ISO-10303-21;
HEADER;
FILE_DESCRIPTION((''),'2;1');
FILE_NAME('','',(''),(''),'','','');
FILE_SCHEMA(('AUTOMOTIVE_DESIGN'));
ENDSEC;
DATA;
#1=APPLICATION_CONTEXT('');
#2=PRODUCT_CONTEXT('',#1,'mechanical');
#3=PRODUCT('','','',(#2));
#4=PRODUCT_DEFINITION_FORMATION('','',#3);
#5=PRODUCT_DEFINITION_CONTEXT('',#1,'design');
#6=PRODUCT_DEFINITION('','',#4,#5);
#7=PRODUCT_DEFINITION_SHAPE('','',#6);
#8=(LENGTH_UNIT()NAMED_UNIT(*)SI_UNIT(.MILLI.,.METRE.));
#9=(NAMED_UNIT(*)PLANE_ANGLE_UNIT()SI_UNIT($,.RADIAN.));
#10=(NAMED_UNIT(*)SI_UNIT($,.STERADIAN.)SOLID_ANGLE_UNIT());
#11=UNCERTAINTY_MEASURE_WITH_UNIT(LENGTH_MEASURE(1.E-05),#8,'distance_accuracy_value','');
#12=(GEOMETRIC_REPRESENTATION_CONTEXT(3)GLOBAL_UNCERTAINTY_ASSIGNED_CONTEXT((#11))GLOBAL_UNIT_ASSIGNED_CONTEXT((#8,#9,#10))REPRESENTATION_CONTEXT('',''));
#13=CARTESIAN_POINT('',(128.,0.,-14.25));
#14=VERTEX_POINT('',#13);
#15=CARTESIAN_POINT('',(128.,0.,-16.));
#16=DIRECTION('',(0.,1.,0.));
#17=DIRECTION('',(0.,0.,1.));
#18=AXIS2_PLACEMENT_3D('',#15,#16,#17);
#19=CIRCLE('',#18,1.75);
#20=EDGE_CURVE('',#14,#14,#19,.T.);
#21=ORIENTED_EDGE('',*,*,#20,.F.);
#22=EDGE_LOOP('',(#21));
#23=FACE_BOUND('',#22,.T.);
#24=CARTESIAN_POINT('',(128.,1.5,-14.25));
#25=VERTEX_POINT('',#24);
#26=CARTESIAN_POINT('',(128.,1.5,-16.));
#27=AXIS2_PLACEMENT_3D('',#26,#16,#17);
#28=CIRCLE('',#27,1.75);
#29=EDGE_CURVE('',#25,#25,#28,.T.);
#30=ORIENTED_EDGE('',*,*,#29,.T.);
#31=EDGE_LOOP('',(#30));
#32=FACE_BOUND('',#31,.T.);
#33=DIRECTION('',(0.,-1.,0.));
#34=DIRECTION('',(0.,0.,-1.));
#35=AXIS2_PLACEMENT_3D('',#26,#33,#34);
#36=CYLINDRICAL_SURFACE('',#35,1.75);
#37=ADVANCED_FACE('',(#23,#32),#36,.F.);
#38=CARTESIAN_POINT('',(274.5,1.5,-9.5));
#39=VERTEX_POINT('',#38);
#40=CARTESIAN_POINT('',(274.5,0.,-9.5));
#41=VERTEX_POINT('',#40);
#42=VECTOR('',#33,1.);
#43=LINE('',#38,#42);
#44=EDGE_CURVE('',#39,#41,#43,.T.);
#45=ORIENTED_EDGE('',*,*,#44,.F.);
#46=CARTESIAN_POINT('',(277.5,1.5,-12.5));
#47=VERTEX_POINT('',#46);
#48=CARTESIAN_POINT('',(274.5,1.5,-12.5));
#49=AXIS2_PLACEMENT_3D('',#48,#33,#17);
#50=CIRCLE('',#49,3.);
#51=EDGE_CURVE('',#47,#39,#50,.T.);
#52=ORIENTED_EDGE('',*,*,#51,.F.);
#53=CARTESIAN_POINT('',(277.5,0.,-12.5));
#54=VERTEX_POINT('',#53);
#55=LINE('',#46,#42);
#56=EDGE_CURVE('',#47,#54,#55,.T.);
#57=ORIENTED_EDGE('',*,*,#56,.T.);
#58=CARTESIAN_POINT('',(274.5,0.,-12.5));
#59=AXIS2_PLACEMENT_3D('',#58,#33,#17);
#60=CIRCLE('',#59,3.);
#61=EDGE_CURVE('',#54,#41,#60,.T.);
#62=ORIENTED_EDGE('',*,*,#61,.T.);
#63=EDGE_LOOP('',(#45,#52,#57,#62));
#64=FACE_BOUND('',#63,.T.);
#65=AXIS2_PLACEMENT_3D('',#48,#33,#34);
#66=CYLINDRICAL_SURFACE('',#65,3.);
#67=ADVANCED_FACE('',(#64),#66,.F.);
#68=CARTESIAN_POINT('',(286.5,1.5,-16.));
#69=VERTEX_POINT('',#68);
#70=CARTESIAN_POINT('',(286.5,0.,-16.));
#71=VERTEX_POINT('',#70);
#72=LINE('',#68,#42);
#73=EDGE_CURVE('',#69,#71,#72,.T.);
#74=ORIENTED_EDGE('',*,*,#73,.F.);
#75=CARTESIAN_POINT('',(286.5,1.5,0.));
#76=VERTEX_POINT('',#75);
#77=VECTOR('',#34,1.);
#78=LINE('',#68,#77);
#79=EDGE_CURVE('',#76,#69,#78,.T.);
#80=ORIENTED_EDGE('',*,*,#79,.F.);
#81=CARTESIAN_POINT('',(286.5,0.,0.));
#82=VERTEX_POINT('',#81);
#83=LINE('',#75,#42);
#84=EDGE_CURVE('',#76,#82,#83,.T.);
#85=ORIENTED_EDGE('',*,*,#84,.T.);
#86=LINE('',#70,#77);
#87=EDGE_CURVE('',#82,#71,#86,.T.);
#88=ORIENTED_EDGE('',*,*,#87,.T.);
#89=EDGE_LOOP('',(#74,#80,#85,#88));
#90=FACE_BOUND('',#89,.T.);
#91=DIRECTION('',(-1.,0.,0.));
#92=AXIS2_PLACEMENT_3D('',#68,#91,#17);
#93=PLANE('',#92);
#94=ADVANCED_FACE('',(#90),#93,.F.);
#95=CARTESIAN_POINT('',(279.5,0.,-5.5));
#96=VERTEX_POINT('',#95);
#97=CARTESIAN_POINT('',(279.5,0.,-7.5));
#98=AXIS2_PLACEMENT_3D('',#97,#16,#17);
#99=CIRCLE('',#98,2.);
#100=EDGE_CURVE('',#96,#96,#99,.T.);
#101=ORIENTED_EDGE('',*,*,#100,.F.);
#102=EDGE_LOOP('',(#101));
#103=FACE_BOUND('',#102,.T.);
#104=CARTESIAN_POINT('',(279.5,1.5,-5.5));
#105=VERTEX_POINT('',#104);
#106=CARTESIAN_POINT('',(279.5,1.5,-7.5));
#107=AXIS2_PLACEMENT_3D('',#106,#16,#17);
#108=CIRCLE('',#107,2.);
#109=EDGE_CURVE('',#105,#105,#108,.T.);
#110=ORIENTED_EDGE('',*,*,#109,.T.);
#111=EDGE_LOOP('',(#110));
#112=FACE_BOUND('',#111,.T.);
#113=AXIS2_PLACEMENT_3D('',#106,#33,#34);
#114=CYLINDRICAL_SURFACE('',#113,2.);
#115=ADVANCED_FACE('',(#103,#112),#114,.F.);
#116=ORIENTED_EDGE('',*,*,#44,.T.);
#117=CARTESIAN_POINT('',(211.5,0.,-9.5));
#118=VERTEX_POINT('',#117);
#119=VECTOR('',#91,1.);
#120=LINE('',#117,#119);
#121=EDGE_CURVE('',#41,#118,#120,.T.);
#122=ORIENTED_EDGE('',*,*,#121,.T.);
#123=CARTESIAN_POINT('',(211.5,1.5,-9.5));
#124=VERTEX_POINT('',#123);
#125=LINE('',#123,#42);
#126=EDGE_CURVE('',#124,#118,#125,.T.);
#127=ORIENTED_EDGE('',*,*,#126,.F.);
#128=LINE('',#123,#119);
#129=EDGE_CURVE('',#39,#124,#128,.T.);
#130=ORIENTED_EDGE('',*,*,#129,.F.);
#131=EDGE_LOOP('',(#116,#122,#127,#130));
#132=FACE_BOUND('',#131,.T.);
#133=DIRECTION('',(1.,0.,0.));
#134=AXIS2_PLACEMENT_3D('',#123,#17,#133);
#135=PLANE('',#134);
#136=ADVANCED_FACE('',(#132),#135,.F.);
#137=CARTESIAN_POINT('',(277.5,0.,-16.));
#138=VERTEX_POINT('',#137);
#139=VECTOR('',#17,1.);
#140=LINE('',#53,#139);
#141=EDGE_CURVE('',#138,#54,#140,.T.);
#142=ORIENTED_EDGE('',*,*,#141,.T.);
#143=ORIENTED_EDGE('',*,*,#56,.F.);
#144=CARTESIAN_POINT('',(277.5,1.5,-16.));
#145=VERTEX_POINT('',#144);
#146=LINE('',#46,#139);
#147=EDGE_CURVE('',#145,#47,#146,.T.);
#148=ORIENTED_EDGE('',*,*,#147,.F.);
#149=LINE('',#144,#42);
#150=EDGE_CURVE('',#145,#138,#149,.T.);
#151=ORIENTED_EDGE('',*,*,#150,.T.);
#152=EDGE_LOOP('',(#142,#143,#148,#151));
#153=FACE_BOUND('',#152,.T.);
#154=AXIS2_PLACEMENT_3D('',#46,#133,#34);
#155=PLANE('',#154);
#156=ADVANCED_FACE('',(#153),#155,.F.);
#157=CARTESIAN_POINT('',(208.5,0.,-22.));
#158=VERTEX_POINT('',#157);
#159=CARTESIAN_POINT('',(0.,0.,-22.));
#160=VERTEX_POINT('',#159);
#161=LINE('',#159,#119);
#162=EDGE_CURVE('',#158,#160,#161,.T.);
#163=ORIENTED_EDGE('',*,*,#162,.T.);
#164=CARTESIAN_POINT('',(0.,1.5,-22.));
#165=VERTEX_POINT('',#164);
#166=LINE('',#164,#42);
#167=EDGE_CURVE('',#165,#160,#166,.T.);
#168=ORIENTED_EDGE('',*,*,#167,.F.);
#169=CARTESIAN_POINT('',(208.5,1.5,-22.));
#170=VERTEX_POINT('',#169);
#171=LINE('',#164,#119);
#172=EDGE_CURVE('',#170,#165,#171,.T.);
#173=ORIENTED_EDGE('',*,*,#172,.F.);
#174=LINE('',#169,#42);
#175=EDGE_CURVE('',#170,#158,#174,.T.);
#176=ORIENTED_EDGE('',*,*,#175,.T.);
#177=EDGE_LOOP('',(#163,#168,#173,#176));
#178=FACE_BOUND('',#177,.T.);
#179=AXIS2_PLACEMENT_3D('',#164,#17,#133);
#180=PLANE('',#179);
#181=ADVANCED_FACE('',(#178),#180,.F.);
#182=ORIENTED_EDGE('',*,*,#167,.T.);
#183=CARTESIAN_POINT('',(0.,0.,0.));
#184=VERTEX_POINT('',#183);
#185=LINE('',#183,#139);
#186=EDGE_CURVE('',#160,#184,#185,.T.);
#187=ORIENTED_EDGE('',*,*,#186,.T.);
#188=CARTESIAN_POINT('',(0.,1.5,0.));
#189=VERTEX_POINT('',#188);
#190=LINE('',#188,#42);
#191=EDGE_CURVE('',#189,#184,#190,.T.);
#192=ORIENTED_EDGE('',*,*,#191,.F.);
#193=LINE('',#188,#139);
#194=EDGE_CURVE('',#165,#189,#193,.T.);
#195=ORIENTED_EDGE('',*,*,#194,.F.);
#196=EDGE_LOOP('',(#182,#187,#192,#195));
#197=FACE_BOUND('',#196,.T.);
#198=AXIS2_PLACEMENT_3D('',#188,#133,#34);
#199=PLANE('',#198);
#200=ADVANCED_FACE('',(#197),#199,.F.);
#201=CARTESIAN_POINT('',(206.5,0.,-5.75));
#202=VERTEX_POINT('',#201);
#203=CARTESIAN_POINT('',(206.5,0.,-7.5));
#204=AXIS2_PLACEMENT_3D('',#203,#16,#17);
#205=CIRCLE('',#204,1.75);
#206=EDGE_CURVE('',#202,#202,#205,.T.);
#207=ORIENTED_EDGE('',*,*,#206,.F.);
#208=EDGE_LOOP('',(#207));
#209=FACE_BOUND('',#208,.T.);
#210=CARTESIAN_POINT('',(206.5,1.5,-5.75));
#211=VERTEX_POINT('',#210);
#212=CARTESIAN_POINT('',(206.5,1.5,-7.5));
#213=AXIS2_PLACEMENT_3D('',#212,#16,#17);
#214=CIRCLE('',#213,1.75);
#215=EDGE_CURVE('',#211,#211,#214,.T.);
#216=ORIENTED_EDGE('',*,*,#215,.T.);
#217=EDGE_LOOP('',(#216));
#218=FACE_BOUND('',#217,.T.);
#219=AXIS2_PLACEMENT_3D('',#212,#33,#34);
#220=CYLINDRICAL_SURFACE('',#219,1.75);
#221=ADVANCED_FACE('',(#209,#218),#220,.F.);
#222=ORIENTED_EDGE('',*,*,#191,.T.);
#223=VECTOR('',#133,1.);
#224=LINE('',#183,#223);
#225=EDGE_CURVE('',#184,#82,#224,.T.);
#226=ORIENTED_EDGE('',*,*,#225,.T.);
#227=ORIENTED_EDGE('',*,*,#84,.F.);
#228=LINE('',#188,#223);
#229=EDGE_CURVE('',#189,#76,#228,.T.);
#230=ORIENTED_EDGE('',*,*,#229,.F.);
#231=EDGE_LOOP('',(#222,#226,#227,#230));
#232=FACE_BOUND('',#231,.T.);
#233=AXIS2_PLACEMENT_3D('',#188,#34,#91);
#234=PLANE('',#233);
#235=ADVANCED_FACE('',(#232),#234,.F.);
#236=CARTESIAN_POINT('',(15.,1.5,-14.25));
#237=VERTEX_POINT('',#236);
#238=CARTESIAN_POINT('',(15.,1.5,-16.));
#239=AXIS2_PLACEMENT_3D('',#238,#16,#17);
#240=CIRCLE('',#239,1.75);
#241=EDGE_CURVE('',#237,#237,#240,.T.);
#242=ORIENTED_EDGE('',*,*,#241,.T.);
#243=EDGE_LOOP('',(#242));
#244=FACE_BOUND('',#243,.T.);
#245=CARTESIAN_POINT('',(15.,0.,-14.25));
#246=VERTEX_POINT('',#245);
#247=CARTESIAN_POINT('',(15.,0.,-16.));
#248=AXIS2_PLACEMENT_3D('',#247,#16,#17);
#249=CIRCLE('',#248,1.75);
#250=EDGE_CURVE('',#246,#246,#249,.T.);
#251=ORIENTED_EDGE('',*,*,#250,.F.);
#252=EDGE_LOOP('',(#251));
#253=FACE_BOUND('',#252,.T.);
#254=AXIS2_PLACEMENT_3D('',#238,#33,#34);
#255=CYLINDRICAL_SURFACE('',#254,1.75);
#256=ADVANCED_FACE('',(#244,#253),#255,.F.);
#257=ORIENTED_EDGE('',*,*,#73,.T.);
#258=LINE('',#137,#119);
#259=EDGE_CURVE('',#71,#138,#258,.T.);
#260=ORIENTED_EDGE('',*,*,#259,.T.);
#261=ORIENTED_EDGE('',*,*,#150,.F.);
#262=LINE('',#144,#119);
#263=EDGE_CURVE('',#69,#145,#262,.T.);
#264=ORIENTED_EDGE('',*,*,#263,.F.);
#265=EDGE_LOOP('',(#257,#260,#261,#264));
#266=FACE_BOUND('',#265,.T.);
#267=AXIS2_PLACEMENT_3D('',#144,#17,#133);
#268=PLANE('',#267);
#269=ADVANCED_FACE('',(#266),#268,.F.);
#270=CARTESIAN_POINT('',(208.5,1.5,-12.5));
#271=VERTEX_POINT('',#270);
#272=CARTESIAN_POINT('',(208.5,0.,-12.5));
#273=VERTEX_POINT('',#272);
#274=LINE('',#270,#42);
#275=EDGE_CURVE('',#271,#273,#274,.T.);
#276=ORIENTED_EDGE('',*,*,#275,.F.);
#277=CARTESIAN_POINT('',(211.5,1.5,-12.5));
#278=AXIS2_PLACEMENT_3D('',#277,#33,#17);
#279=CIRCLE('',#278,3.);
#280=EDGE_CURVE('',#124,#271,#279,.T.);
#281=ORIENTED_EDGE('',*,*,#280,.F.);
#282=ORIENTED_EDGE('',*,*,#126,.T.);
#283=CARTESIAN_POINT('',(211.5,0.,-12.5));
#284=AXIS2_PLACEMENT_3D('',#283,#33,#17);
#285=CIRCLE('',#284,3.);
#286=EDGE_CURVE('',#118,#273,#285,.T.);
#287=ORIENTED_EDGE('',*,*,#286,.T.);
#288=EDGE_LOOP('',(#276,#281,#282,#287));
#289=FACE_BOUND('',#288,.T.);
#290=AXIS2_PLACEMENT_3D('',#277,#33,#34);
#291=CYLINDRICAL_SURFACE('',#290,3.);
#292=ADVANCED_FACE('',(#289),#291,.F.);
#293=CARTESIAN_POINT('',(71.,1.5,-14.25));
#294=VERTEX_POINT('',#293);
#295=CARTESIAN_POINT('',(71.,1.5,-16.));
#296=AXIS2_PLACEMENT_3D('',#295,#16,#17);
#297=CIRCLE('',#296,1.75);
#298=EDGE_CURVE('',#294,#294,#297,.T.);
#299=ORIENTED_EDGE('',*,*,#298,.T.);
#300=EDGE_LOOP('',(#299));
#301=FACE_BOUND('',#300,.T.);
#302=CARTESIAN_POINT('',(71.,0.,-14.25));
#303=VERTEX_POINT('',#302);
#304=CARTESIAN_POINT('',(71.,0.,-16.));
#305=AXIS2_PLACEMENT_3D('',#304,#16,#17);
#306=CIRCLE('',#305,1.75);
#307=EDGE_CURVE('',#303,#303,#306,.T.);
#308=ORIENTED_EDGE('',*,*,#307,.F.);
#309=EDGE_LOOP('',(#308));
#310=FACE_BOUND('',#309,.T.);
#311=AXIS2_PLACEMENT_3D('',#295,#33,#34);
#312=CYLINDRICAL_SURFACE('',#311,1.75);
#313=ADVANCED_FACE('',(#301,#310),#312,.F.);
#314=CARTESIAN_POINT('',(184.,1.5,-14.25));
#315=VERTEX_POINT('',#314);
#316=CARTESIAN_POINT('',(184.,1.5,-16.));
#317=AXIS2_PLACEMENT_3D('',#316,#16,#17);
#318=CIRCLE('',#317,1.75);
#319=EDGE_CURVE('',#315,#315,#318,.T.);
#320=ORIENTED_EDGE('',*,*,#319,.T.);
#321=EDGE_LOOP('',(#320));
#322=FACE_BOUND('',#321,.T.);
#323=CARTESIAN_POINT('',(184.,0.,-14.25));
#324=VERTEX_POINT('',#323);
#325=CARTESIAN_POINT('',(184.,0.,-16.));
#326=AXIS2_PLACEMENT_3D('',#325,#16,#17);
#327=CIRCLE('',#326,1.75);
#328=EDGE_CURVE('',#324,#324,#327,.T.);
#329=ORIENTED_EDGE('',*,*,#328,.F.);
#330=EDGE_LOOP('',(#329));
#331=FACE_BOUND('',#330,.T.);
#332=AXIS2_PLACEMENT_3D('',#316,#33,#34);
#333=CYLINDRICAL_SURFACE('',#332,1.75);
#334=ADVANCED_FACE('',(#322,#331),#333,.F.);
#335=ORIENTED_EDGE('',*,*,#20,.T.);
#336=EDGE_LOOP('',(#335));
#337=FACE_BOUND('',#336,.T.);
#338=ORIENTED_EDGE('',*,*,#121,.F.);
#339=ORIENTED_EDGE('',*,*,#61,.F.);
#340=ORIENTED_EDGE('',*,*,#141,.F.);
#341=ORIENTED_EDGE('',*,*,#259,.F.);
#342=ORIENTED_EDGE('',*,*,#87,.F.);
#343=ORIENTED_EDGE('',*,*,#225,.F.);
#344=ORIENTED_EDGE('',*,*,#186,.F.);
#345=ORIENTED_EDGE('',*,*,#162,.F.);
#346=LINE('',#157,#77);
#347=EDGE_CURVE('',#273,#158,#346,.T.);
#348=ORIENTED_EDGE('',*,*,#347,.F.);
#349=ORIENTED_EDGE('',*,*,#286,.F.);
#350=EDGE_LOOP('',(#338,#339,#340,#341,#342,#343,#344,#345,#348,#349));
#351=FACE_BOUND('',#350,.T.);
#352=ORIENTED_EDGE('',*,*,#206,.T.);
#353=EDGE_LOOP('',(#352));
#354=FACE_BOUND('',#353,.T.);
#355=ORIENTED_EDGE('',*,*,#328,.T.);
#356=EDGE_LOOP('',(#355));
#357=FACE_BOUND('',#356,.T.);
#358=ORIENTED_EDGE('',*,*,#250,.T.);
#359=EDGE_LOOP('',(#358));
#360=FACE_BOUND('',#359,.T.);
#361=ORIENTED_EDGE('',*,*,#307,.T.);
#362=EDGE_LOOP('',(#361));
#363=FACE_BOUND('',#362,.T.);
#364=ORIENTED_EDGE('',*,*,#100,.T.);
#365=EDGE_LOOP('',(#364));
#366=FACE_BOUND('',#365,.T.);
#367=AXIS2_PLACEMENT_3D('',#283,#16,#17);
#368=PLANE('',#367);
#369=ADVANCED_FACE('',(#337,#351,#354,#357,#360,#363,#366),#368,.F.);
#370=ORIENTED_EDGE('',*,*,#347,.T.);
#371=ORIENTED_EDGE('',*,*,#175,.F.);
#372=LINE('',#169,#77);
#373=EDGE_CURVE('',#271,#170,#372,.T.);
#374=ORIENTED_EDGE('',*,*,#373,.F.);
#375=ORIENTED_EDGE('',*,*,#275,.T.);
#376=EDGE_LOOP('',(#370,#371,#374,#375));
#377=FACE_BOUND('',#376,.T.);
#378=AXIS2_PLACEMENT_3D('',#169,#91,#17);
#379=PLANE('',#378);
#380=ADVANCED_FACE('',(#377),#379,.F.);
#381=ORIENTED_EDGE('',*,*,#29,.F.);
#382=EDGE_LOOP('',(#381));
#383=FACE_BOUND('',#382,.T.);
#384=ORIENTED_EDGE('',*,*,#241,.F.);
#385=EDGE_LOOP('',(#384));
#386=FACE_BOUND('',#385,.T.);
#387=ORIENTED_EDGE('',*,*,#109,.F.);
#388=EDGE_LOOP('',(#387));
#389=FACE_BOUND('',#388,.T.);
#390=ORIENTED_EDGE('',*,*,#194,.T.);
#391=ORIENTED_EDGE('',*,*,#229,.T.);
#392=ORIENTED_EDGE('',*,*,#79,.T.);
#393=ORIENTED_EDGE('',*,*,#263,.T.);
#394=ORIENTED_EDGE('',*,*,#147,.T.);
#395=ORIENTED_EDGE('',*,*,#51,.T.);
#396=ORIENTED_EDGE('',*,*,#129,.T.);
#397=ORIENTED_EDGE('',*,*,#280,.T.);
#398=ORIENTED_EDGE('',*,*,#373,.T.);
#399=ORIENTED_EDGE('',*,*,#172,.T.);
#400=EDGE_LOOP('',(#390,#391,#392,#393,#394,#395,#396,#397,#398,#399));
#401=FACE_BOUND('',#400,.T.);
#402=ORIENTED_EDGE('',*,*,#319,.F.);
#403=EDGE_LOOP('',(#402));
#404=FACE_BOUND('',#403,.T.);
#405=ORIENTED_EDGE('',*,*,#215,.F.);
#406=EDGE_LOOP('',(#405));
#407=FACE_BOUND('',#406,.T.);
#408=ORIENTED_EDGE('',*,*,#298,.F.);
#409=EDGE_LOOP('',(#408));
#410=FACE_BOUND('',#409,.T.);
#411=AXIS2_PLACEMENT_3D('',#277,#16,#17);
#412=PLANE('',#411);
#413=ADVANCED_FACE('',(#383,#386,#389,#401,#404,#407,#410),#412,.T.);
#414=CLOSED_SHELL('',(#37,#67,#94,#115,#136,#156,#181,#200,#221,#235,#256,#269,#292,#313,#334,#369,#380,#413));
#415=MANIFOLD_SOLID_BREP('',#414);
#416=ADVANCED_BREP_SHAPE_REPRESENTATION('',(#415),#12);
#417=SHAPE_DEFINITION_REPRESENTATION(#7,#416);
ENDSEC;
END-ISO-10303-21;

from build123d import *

# Parameters (mm, degrees)
SKETCH_1_R      = 1.75
SKETCH_1_R_2    = 2
EXTRUDE_1_DEPTH = 1.5


with BuildPart() as part:
    # Эскиз1 → Бобышка-Вытянуть1 (new body)
    with BuildSketch(Plane(origin=(0, 0, 0), x_dir=(1, 0, 0), z_dir=(0, 1, 0))):
        with BuildLine():
            Line((208.5, 12.5), (208.5, 22))
            Line((208.5, 22), (0, 22))
            Line((0, 22), (0, 0))
            Line((0, 0), (286.5, 0))
            Line((286.5, 0), (286.5, 16))
            Line((286.5, 16), (277.5, 16))
            Line((277.5, 16), (277.5, 12.5))
            ThreePointArc((277.5, 12.5), (276.621320344, 10.378679656), (274.5, 9.5))
            Line((274.5, 9.5), (211.5, 9.5))
            ThreePointArc((211.5, 9.5), (209.378679656, 10.378679656), (208.5, 12.5))
        make_face()
        with Locations((206.5, 7.5)):
            Circle(SKETCH_1_R, mode=Mode.SUBTRACT)
        with Locations((279.5, 7.5)):
            Circle(SKETCH_1_R_2, mode=Mode.SUBTRACT)
        with Locations((15, 16)):
            Circle(SKETCH_1_R, mode=Mode.SUBTRACT)
        with Locations((71, 16)):
            Circle(SKETCH_1_R, mode=Mode.SUBTRACT)
        with Locations((128, 16)):
            Circle(SKETCH_1_R, mode=Mode.SUBTRACT)
        with Locations((184, 16)):
            Circle(SKETCH_1_R, mode=Mode.SUBTRACT)
    extrude(amount=EXTRUDE_1_DEPTH)


solid = part.part
